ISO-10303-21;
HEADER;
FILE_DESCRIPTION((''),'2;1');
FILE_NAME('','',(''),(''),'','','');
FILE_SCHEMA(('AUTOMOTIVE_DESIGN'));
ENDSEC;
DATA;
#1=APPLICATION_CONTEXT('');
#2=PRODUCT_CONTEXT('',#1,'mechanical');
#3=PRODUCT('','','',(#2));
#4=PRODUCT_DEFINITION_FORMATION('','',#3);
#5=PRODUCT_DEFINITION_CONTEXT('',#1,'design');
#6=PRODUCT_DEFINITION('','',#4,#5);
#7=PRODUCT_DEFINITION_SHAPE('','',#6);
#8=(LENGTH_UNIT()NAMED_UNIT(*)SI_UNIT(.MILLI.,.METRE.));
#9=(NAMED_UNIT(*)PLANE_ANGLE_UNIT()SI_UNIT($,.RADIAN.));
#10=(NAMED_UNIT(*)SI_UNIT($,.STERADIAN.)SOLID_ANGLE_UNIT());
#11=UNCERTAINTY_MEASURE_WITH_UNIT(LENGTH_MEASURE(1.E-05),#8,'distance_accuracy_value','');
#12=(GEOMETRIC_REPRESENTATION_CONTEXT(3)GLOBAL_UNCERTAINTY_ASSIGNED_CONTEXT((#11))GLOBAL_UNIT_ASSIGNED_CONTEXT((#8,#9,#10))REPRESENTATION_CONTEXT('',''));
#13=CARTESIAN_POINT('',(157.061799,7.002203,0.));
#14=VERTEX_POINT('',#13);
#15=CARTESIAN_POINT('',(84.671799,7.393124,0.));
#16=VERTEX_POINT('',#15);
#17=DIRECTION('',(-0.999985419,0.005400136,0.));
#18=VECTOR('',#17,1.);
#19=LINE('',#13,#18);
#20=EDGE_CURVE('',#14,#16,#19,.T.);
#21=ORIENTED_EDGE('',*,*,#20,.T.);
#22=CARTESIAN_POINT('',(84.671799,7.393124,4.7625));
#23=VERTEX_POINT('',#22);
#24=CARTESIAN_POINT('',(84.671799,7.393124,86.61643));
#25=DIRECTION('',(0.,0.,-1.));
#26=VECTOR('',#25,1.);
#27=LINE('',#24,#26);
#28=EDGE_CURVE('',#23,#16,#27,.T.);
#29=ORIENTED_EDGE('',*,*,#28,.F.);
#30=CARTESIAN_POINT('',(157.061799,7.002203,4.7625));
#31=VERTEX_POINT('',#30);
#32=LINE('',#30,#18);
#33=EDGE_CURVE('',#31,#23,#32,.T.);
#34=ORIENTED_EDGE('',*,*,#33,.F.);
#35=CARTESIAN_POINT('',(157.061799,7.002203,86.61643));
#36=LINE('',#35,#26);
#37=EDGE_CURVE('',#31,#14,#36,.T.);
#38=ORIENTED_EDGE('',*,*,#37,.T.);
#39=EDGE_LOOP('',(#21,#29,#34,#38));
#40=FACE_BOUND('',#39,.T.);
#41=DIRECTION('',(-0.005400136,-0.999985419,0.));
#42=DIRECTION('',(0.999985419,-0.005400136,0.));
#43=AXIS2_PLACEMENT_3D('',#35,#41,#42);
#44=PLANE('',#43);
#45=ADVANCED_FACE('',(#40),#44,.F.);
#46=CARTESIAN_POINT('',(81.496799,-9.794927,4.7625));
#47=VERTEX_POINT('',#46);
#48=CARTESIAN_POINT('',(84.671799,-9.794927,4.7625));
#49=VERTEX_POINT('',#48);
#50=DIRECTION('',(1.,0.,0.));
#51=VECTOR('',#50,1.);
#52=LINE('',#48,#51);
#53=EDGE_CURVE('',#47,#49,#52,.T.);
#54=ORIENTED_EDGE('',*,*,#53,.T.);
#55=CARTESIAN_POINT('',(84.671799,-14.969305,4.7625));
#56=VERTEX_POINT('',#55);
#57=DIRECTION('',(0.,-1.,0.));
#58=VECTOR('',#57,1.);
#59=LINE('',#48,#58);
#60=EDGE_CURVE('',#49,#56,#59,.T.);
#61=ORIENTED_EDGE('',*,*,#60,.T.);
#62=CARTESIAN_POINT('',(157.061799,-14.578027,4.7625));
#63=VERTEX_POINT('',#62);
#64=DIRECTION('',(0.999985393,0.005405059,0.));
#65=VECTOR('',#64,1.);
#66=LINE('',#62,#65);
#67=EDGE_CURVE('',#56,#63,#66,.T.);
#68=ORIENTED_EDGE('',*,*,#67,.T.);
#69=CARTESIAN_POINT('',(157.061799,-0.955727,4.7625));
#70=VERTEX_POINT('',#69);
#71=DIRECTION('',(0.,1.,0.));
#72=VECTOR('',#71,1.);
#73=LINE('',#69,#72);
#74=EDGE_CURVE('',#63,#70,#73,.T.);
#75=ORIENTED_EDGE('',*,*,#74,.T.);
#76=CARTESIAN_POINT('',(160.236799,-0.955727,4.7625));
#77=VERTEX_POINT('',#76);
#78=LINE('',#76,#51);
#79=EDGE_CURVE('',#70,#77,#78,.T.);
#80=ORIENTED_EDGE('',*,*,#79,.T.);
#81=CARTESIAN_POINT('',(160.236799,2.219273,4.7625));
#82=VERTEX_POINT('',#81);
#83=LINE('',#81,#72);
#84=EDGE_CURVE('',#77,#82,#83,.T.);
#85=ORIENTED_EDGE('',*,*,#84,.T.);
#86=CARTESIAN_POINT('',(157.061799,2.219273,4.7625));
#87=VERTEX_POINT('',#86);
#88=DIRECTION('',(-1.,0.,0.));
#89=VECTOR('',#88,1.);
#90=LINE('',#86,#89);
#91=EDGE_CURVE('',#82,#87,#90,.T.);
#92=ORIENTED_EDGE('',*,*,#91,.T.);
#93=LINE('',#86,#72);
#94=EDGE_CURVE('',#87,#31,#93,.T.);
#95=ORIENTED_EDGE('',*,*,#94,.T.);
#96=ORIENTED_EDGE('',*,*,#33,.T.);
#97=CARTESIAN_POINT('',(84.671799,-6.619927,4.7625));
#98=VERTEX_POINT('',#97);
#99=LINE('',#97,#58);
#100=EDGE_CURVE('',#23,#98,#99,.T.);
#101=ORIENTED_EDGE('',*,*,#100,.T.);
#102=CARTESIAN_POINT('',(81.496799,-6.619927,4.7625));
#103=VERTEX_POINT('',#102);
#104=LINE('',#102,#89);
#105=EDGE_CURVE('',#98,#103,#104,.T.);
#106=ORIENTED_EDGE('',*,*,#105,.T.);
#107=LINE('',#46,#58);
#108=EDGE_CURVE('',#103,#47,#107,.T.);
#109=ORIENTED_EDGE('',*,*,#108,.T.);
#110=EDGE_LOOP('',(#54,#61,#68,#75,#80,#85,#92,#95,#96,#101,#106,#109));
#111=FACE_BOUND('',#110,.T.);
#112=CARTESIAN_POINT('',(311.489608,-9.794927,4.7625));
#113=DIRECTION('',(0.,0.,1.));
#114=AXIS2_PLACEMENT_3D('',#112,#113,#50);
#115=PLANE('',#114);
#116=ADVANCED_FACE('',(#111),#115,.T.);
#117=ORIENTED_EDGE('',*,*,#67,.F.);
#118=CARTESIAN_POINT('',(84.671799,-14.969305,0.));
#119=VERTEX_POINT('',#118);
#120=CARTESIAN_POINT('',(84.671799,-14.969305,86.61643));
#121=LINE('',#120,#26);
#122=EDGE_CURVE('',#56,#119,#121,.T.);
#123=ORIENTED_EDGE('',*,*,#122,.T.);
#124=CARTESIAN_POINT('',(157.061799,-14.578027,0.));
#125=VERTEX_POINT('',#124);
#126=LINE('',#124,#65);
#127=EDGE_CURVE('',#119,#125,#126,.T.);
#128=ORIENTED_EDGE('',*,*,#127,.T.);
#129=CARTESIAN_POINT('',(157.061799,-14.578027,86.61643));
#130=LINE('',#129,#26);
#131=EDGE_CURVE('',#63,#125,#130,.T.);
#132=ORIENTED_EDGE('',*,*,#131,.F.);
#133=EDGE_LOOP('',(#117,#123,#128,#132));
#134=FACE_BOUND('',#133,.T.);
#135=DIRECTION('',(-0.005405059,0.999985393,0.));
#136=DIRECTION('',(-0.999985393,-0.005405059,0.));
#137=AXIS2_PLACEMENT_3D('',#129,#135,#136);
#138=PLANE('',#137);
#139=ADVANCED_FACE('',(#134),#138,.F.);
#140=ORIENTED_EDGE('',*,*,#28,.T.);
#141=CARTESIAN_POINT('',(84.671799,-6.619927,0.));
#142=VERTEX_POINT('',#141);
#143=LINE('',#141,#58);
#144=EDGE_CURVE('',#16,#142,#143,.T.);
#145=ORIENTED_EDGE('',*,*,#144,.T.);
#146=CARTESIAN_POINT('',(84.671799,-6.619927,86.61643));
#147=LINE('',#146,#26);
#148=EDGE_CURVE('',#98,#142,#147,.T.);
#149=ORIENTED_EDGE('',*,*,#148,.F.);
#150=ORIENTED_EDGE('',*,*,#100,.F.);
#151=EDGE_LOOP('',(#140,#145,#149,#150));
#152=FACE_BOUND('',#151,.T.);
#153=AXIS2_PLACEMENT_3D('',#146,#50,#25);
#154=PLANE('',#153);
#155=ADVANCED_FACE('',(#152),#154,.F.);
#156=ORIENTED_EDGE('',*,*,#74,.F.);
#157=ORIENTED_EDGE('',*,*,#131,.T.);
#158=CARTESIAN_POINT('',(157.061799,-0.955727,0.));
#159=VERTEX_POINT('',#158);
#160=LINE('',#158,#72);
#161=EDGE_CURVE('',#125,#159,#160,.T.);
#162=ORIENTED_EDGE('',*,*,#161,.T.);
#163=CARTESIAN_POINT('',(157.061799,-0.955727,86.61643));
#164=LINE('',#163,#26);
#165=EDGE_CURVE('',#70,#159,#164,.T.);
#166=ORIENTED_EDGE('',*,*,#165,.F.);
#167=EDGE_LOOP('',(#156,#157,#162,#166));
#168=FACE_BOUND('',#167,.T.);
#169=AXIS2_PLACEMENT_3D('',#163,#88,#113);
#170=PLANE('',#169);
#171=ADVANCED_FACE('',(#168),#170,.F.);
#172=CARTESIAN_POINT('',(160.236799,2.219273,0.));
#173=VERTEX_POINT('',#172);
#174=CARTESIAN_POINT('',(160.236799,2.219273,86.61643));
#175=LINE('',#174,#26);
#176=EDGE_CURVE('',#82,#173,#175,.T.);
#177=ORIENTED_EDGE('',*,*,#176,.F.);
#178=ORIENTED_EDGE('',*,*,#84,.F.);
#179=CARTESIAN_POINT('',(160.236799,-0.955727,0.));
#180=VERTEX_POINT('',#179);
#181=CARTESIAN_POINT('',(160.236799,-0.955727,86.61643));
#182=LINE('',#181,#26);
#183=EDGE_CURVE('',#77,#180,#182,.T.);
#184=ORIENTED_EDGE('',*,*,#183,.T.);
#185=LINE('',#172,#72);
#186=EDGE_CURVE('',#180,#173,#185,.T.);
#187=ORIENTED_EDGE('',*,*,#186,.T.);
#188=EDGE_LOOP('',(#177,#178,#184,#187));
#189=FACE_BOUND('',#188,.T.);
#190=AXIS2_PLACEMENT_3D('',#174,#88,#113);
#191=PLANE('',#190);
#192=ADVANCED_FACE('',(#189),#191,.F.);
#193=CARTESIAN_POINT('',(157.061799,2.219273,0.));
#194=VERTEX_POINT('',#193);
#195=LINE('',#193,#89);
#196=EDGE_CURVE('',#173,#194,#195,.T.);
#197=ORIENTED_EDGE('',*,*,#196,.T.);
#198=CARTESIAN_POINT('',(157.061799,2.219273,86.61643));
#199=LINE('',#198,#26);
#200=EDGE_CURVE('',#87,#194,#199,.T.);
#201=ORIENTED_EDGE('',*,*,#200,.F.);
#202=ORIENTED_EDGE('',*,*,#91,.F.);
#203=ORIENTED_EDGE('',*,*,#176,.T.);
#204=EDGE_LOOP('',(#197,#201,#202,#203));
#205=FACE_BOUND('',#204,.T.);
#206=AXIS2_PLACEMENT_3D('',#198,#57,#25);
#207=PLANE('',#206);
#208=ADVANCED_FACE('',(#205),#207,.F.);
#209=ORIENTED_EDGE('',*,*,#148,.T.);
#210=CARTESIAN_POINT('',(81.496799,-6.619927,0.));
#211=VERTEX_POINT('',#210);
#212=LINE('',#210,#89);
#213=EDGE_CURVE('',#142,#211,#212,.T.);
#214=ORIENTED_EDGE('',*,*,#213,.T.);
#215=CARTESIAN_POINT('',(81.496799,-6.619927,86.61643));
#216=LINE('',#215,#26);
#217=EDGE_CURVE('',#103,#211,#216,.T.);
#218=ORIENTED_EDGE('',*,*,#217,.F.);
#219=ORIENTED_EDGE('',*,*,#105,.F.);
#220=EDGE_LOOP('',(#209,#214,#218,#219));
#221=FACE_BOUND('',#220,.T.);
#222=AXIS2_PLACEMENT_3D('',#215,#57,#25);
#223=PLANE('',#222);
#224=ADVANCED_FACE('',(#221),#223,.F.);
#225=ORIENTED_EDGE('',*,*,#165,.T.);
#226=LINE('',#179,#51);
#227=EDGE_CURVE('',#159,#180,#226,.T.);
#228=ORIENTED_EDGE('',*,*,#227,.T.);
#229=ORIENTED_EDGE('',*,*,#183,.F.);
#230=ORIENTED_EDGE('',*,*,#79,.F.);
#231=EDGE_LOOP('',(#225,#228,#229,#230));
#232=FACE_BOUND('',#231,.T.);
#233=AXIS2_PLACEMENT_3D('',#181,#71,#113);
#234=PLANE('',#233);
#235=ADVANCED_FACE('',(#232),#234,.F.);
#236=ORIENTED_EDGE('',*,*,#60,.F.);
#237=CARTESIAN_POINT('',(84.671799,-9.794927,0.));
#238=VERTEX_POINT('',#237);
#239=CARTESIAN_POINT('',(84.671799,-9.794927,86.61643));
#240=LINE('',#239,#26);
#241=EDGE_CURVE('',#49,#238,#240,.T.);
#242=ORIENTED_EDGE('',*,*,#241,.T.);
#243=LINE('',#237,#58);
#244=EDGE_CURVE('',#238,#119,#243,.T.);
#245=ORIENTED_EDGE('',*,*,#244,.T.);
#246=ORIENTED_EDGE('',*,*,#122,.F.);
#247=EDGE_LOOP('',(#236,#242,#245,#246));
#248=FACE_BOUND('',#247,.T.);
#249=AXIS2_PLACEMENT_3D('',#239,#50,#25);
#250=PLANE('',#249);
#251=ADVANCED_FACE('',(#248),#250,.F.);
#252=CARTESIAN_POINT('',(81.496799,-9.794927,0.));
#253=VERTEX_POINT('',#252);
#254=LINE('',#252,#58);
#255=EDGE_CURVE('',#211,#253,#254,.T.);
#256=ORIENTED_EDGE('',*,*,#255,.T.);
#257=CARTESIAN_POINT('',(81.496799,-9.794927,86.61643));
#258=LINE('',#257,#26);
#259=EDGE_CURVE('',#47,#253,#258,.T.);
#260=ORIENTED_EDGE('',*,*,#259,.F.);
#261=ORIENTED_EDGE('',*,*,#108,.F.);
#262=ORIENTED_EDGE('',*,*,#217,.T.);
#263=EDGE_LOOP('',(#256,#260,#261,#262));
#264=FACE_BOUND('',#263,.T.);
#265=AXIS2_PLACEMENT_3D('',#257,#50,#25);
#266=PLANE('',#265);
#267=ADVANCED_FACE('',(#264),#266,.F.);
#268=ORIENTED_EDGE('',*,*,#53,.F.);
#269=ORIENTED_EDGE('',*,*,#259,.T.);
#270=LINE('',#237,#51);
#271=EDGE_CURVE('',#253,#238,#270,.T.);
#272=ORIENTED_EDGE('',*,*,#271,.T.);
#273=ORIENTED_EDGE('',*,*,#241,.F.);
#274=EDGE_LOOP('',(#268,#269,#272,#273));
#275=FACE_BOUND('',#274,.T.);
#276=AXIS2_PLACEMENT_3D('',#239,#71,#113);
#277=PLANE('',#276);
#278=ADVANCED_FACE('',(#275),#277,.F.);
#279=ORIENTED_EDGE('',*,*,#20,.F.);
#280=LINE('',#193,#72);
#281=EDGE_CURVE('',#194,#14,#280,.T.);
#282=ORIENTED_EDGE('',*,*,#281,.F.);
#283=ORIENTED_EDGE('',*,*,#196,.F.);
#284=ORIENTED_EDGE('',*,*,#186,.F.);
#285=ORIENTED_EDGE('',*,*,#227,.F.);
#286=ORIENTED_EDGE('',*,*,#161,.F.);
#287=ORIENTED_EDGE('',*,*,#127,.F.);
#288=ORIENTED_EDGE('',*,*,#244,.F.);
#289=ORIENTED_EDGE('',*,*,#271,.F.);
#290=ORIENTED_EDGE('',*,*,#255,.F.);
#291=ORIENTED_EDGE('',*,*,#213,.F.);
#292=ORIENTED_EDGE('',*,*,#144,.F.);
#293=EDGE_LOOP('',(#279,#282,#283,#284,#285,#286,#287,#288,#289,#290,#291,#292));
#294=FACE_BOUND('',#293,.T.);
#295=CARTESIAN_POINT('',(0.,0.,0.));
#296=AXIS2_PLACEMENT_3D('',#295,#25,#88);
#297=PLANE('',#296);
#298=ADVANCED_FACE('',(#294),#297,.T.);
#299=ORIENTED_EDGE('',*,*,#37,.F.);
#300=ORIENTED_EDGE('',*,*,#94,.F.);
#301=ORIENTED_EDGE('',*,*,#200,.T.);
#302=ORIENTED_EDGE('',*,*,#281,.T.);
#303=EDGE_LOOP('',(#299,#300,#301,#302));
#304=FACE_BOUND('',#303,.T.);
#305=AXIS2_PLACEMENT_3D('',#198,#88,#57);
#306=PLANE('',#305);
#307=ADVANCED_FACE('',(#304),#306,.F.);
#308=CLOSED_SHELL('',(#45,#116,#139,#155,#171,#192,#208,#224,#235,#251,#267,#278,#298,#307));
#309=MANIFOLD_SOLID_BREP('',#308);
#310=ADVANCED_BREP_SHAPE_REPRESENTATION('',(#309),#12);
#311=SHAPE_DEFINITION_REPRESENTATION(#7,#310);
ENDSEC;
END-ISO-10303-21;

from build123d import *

# Parameters (mm, degrees)
BOSS_EXTRUDE1_DEPTH = 4.7625


with BuildPart() as part:
    # Sketch1 → Boss-Extrude1 (new body)
    with BuildSketch(Plane.XY):
        Polygon((84.671798958, -9.794927314), (81.496798958, -9.794927314), (81.496798958, -6.619927314), (84.671798958, -6.619927314), (84.671798958, 7.393124236), (157.061798958, 7.002202669), (157.061798958, 2.219272686), (160.236798958, 2.219272686), (160.236798958, -0.955727314), (157.061798958, -0.955727314), (157.061798958, -14.578026911), (84.671798958, -14.969304817), align=None)
    extrude(amount=BOSS_EXTRUDE1_DEPTH)


solid = part.part
